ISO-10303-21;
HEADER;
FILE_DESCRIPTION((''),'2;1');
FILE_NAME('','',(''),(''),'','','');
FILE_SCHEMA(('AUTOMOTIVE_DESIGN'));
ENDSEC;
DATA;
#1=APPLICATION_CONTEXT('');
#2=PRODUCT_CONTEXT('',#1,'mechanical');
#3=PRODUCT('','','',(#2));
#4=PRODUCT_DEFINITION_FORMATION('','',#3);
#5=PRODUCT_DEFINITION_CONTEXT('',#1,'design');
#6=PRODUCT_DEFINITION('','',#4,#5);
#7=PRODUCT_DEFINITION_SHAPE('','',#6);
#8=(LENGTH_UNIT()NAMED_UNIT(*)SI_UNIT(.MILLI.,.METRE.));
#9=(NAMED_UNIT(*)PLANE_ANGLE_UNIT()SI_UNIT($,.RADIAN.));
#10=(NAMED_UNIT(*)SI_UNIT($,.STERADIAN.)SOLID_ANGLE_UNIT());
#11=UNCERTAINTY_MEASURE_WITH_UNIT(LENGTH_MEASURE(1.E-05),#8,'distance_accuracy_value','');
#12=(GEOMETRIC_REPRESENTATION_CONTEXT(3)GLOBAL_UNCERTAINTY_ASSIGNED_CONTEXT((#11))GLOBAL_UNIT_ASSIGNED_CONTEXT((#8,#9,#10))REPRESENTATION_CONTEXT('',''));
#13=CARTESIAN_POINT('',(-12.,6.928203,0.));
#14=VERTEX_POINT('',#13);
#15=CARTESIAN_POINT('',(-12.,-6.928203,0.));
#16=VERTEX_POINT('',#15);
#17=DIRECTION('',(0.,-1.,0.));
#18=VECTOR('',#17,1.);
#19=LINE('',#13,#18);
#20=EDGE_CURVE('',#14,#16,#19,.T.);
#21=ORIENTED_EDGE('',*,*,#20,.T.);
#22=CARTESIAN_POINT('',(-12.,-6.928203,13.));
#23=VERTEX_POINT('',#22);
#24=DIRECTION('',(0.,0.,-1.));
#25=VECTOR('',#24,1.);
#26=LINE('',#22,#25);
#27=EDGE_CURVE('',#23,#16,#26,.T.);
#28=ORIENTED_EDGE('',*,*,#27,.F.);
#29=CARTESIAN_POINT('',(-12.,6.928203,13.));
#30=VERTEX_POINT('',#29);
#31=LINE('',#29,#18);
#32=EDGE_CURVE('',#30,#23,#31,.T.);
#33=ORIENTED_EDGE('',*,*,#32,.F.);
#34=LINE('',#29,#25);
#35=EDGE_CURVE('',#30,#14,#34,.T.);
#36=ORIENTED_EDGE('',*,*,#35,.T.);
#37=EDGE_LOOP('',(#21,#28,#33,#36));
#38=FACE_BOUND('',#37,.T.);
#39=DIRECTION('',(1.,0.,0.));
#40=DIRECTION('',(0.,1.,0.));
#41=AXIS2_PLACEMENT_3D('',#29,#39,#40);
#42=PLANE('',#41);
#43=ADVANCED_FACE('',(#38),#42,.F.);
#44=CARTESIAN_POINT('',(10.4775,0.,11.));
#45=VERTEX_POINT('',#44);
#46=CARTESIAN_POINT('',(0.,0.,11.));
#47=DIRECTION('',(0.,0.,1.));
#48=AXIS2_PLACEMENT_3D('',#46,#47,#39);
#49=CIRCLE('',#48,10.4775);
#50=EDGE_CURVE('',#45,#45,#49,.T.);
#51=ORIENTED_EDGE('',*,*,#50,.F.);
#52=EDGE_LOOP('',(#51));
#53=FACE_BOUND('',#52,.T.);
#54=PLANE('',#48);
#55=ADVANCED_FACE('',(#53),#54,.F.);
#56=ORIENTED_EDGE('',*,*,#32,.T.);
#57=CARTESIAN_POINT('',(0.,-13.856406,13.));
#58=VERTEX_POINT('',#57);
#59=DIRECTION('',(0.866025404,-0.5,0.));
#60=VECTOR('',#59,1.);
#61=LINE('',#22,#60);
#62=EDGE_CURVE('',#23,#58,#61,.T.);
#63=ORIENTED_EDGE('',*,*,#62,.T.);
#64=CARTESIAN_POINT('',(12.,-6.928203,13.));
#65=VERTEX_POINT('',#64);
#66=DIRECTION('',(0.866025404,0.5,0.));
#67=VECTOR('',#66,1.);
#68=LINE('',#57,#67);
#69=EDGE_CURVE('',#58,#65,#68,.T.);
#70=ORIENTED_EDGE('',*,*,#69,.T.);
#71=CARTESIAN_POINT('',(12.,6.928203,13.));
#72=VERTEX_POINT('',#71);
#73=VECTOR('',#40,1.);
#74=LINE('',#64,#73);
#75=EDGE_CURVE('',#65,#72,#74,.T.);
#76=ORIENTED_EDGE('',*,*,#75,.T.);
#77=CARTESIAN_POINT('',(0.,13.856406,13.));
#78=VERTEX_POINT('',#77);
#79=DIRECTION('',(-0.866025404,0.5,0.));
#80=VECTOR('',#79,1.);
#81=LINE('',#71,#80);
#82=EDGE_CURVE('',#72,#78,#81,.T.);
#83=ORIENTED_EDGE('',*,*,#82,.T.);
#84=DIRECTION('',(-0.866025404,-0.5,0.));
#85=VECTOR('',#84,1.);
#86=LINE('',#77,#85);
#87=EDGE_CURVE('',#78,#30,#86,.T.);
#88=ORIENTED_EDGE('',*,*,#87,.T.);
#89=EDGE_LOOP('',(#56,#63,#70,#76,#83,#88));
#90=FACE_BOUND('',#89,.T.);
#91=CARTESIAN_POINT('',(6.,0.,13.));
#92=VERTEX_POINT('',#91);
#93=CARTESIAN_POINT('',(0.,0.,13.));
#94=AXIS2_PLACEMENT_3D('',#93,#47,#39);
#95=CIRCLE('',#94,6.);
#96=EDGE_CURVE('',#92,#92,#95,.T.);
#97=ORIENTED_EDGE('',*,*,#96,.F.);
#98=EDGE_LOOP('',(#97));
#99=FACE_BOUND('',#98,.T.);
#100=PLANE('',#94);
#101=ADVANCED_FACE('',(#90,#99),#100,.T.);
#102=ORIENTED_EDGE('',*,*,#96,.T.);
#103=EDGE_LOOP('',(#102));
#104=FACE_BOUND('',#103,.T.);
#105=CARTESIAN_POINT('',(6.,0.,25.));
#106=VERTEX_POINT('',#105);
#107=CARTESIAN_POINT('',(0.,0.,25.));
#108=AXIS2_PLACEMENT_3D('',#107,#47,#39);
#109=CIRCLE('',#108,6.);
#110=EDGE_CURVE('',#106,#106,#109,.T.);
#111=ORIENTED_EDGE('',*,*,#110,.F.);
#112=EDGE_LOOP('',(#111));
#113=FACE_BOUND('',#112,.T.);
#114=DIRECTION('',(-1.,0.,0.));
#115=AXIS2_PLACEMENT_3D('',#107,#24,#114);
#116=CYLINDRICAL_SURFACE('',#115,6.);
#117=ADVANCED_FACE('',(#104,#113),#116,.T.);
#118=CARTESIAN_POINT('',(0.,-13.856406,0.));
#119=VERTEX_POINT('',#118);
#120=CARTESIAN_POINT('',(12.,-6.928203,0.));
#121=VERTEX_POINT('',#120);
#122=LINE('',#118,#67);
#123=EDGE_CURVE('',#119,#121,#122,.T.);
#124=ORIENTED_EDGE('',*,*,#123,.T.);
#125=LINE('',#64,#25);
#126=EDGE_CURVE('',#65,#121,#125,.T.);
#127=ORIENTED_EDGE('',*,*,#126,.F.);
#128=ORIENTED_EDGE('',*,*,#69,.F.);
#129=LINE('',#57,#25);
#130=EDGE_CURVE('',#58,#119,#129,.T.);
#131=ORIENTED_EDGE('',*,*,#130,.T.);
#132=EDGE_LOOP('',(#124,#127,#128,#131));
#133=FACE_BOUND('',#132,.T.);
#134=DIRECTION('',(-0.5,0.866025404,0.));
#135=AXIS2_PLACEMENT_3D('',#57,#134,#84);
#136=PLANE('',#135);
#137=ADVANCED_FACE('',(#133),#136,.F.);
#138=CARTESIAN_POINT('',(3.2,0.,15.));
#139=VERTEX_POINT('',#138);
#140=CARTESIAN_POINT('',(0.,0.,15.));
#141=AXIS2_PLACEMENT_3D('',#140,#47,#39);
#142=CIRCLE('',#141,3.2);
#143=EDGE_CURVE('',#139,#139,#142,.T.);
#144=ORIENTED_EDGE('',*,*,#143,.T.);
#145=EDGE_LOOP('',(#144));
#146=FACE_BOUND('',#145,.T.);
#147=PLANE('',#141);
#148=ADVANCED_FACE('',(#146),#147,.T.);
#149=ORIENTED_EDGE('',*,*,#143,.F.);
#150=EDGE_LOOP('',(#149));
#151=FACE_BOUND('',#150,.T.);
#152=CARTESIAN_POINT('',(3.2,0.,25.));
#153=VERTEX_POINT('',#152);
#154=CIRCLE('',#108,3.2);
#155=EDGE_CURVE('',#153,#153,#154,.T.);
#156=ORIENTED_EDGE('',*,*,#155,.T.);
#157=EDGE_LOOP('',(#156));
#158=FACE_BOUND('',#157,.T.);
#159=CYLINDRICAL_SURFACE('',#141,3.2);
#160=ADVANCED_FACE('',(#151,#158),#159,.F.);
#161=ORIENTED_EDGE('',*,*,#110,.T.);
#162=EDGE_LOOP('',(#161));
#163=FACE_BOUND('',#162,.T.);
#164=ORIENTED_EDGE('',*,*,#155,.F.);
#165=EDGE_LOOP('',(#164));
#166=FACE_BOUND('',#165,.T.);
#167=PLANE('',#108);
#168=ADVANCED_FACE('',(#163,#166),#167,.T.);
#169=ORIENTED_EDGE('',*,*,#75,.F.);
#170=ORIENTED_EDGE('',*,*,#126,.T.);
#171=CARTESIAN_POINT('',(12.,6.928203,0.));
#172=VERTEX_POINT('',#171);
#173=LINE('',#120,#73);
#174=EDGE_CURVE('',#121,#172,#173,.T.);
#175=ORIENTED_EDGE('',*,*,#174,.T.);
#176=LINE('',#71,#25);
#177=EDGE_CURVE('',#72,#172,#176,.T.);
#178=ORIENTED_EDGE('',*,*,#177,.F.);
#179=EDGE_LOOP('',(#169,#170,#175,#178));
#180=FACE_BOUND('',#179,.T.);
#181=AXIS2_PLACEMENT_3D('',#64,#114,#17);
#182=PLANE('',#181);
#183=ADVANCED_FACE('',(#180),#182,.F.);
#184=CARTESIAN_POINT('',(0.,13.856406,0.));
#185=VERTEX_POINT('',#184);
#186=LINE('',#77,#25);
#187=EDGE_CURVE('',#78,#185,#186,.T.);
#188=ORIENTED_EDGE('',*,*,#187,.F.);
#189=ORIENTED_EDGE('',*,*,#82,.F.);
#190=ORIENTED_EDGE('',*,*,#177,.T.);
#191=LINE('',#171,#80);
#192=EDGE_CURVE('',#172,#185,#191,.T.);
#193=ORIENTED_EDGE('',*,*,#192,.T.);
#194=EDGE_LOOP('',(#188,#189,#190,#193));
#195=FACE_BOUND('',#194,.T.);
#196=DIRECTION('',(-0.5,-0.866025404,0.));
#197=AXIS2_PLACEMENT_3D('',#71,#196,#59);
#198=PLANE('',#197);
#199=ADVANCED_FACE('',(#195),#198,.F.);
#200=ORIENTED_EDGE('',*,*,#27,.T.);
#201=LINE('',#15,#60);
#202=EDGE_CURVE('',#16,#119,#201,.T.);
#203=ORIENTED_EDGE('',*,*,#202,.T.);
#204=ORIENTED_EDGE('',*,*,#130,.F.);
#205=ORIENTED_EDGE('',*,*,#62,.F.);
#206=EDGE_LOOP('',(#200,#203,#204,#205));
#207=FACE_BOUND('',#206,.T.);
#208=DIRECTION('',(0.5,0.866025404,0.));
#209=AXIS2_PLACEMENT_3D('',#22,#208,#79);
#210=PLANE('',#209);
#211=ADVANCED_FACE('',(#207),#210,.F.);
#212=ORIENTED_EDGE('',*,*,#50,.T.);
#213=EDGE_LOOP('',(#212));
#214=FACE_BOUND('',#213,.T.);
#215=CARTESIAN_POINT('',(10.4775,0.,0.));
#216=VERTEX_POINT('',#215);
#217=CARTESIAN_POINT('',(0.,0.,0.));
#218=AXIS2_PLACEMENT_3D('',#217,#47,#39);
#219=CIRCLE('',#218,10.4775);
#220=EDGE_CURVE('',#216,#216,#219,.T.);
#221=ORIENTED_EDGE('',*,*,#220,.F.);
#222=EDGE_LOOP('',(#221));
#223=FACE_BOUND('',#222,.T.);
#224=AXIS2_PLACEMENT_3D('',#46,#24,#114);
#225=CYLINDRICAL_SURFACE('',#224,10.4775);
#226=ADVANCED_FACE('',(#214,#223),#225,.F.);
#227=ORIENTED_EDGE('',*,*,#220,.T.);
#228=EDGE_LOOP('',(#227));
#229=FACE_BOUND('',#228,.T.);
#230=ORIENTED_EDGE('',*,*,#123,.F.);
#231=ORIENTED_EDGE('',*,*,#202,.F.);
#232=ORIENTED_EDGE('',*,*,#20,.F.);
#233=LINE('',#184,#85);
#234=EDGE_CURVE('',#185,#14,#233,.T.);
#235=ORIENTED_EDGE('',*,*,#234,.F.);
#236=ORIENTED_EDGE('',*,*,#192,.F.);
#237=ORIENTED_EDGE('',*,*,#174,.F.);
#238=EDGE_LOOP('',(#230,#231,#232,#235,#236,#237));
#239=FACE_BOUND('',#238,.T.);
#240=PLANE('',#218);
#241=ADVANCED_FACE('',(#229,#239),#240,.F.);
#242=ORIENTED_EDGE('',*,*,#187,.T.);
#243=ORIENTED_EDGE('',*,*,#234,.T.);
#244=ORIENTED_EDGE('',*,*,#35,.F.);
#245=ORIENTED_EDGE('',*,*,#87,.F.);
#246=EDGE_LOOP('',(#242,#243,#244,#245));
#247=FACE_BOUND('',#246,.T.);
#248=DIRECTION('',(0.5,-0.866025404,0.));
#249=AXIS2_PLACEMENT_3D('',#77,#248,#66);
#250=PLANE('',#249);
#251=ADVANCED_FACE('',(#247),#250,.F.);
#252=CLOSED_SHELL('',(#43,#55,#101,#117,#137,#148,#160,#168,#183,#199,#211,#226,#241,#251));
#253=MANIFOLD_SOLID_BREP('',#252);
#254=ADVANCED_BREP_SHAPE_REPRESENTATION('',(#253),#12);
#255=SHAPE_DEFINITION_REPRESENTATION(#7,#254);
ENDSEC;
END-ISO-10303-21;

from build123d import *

# Parameters (mm, degrees)
HEX_NUT_DEPTH         = 13
SKETCH2_R             = 10.4775
THREAD_BORE_DEPTH     = 11
PUSH_FIT_PORT_START   = 13
SKETCH3_R             = 6
PUSH_FIT_PORT_DEPTH   = 12
PUSH_FIT_SOCKET_START = 25
SKETCH4_R             = 3.2
PUSH_FIT_SOCKET_DEPTH = 10


with BuildPart() as part:
    # Sketch1 → Hex_Nut (new body)
    with BuildSketch(Plane.XY):
        Polygon((12, 6.92820323), (0, 13.856406461), (-12, 6.92820323), (-12, -6.92820323), (0, -13.856406461), (12, -6.92820323), align=None)
    extrude(amount=HEX_NUT_DEPTH)

    # Sketch2 → Thread_Bore (cut)
    with BuildSketch(Plane.XY):
        Circle(SKETCH2_R)
    extrude(amount=THREAD_BORE_DEPTH, mode=Mode.SUBTRACT)

    # Sketch3 → Push_Fit_Port (add)
    with BuildSketch(Plane.XY.offset(PUSH_FIT_PORT_START)):
        Circle(SKETCH3_R)
    extrude(amount=PUSH_FIT_PORT_DEPTH)

    # Sketch4 → Push_Fit_Socket (cut)
    with BuildSketch(Plane.XY.offset(PUSH_FIT_SOCKET_START)):
        Circle(SKETCH4_R)
    extrude(amount=-PUSH_FIT_SOCKET_DEPTH, mode=Mode.SUBTRACT)


solid = part.part
